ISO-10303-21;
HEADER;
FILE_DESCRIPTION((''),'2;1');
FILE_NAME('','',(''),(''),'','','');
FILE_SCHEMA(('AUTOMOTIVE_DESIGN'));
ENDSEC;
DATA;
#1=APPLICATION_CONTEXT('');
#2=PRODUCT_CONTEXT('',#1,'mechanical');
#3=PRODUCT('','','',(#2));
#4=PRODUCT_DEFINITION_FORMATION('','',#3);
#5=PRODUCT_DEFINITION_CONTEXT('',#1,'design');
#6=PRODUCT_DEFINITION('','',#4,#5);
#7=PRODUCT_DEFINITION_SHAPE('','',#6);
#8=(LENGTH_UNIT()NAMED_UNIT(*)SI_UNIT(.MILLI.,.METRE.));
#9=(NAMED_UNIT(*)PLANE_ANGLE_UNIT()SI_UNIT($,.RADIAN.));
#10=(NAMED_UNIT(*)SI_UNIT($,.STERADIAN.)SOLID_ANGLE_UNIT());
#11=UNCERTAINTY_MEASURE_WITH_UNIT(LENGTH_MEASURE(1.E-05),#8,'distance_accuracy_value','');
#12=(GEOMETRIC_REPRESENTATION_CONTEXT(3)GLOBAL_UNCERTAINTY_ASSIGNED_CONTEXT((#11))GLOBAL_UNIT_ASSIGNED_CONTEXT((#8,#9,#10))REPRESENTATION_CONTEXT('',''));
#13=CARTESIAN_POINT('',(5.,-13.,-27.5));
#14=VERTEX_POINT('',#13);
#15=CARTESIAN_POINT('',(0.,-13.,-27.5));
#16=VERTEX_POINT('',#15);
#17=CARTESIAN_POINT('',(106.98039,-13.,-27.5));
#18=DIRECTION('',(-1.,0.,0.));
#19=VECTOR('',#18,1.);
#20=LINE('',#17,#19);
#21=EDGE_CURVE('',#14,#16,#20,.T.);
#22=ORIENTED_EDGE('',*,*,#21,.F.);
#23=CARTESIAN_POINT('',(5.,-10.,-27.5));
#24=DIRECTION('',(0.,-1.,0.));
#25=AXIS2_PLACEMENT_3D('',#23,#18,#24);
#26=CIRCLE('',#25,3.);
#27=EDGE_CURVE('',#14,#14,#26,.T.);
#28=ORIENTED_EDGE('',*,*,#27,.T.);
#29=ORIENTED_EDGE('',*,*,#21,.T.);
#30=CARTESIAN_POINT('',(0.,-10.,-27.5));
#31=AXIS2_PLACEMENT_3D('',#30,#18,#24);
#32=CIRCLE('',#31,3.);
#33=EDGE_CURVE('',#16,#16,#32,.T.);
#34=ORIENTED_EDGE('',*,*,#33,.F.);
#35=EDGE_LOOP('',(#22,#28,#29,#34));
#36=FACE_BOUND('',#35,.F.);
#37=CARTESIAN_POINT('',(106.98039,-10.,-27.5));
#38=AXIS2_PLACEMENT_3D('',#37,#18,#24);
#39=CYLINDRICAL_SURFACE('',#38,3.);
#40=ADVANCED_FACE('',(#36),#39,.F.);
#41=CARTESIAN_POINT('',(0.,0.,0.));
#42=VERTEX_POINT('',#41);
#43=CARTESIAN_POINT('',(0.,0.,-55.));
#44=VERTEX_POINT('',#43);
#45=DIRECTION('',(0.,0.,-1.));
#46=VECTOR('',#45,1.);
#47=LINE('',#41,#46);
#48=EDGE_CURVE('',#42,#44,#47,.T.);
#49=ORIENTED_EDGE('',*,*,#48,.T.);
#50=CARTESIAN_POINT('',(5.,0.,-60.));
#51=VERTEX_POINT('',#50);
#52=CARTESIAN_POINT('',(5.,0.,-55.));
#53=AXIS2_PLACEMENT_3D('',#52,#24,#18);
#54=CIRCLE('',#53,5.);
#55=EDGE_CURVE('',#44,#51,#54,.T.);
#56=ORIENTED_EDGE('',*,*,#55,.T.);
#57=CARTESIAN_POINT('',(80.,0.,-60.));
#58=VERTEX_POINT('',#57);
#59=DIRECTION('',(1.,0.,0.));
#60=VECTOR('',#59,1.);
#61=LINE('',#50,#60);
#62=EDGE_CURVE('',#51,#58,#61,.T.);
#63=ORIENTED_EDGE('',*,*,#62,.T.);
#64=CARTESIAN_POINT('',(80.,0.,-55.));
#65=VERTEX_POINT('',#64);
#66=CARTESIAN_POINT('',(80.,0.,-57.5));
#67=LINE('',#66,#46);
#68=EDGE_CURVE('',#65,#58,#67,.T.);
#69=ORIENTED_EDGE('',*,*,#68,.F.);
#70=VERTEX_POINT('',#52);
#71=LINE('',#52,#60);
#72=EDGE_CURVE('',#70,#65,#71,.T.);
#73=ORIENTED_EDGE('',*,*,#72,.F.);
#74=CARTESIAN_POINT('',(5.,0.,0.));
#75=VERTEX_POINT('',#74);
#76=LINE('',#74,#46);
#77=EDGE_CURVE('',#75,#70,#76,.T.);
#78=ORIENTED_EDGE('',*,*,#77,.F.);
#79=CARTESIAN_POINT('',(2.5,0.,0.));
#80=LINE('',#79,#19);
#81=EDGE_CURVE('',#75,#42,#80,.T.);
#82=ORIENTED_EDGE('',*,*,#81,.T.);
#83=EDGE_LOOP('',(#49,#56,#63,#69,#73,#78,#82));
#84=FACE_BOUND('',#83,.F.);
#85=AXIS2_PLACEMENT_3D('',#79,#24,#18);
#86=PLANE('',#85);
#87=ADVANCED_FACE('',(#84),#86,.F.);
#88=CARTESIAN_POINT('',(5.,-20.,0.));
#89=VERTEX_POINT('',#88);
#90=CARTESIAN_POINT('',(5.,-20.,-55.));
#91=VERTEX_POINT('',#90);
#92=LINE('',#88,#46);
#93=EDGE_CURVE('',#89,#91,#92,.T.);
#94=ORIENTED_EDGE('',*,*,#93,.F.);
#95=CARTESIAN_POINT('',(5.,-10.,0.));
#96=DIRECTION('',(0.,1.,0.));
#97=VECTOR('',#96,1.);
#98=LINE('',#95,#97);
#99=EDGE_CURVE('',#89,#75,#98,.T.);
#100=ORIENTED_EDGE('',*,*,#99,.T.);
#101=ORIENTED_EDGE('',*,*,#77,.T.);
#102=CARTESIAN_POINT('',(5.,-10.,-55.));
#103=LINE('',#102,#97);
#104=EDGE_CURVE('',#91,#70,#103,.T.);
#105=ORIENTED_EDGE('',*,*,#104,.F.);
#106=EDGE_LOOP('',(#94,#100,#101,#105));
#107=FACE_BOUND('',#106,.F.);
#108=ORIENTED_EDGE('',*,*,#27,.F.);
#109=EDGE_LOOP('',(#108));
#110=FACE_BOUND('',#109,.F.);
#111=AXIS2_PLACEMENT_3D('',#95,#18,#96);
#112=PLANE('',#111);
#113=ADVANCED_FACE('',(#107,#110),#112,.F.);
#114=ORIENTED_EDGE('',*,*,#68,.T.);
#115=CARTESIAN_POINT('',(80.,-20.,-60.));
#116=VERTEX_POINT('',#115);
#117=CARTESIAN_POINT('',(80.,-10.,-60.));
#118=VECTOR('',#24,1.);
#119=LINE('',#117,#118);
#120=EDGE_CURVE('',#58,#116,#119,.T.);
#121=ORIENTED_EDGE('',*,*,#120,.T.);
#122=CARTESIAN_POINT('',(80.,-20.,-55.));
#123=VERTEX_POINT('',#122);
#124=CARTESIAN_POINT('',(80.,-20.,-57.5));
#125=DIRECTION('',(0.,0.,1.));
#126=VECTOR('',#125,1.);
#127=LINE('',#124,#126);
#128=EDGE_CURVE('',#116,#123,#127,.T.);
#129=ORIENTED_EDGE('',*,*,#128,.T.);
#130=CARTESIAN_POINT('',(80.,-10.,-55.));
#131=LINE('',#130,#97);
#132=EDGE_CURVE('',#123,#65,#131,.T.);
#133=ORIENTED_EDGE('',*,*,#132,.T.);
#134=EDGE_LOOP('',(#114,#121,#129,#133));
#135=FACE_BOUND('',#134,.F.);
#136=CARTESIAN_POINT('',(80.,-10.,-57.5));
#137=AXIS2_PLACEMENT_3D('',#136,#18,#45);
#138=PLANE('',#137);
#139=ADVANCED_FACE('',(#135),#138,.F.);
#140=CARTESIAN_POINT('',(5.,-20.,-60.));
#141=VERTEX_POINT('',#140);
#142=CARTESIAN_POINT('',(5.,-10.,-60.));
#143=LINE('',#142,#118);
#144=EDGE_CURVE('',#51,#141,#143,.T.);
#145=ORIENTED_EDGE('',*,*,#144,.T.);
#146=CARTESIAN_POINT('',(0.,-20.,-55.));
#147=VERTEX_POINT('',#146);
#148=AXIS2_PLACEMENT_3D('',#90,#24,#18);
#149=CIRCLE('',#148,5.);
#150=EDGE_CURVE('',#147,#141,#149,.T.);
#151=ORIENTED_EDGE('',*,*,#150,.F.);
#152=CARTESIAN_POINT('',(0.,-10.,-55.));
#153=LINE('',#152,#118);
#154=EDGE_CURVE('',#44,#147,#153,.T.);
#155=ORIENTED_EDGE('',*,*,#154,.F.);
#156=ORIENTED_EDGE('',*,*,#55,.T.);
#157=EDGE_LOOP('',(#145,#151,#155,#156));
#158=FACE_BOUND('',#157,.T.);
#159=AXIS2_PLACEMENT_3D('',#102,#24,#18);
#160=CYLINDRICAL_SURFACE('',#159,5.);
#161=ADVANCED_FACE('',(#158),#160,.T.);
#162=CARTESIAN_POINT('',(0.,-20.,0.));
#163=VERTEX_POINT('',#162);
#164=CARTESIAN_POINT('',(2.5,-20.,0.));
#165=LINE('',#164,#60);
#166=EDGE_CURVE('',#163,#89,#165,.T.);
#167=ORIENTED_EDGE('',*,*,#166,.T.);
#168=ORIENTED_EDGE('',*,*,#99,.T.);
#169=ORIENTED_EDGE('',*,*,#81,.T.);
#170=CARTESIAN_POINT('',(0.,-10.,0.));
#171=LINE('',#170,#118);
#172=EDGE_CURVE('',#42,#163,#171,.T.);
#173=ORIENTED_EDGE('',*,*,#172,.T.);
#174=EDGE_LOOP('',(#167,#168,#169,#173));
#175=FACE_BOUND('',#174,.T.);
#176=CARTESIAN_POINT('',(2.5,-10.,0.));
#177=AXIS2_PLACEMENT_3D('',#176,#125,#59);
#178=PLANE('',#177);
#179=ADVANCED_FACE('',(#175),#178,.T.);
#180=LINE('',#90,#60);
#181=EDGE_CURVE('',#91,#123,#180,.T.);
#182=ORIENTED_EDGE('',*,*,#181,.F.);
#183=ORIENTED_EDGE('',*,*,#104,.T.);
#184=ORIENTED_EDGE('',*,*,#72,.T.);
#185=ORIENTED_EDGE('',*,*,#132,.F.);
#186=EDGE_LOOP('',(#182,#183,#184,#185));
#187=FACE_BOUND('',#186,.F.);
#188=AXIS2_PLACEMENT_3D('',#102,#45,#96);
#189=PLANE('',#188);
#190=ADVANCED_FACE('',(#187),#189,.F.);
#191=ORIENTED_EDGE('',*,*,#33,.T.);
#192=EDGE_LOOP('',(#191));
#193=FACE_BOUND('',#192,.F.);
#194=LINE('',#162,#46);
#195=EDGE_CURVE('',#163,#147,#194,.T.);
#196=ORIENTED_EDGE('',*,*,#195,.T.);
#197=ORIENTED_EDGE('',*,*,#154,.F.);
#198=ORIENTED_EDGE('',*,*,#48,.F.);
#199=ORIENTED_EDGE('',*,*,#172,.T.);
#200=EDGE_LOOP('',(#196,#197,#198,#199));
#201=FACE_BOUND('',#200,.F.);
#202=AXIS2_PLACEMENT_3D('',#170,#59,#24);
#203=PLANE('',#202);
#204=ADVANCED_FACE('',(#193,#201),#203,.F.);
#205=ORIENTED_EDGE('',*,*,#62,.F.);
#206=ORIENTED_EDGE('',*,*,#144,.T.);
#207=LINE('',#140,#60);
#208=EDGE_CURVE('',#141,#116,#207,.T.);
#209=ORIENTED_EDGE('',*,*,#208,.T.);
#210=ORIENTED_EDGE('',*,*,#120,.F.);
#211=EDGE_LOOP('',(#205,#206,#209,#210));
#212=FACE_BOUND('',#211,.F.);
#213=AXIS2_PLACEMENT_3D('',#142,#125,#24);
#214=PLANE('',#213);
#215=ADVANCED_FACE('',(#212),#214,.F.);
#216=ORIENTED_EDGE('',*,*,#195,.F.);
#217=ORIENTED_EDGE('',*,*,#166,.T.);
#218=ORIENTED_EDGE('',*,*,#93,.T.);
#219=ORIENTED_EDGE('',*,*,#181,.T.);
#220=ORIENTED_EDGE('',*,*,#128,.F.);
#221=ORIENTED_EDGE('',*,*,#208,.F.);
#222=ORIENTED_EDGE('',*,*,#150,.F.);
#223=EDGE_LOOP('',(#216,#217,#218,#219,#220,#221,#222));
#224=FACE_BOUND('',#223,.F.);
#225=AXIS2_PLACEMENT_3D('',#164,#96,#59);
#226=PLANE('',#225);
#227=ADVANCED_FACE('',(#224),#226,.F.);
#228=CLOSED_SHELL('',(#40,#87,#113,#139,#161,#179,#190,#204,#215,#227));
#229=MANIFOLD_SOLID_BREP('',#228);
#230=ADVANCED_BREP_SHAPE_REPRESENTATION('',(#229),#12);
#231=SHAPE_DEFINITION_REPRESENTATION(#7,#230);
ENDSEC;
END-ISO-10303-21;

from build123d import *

# Parameters (mm, degrees)
F0_W = 5
F0_H = 20
F4_D = 6


with BuildPart() as f2:
    # F2: sweep along a path in F1
    with BuildLine(Plane.XZ) as f2_path:
        Line((0, 0), (0, -55))
        ThreePointArc((0, -55), (1.4644660941, -58.5355339059), (5, -60))
        Line((5, -60), (80, -60))
    # F0 (on Top) → F2 (sweep)
    with BuildSketch(Plane.XY):
        with Locations((2.5, -10)):
            Rectangle(F0_W, F0_H)
    sweep(path=f2_path.line)

    # F4 (through all)
    with Locations(Plane.YZ.offset(5)):
        with Locations((-10, -27.5)):
            Hole(F4_D / 2)


solid = f2.part
